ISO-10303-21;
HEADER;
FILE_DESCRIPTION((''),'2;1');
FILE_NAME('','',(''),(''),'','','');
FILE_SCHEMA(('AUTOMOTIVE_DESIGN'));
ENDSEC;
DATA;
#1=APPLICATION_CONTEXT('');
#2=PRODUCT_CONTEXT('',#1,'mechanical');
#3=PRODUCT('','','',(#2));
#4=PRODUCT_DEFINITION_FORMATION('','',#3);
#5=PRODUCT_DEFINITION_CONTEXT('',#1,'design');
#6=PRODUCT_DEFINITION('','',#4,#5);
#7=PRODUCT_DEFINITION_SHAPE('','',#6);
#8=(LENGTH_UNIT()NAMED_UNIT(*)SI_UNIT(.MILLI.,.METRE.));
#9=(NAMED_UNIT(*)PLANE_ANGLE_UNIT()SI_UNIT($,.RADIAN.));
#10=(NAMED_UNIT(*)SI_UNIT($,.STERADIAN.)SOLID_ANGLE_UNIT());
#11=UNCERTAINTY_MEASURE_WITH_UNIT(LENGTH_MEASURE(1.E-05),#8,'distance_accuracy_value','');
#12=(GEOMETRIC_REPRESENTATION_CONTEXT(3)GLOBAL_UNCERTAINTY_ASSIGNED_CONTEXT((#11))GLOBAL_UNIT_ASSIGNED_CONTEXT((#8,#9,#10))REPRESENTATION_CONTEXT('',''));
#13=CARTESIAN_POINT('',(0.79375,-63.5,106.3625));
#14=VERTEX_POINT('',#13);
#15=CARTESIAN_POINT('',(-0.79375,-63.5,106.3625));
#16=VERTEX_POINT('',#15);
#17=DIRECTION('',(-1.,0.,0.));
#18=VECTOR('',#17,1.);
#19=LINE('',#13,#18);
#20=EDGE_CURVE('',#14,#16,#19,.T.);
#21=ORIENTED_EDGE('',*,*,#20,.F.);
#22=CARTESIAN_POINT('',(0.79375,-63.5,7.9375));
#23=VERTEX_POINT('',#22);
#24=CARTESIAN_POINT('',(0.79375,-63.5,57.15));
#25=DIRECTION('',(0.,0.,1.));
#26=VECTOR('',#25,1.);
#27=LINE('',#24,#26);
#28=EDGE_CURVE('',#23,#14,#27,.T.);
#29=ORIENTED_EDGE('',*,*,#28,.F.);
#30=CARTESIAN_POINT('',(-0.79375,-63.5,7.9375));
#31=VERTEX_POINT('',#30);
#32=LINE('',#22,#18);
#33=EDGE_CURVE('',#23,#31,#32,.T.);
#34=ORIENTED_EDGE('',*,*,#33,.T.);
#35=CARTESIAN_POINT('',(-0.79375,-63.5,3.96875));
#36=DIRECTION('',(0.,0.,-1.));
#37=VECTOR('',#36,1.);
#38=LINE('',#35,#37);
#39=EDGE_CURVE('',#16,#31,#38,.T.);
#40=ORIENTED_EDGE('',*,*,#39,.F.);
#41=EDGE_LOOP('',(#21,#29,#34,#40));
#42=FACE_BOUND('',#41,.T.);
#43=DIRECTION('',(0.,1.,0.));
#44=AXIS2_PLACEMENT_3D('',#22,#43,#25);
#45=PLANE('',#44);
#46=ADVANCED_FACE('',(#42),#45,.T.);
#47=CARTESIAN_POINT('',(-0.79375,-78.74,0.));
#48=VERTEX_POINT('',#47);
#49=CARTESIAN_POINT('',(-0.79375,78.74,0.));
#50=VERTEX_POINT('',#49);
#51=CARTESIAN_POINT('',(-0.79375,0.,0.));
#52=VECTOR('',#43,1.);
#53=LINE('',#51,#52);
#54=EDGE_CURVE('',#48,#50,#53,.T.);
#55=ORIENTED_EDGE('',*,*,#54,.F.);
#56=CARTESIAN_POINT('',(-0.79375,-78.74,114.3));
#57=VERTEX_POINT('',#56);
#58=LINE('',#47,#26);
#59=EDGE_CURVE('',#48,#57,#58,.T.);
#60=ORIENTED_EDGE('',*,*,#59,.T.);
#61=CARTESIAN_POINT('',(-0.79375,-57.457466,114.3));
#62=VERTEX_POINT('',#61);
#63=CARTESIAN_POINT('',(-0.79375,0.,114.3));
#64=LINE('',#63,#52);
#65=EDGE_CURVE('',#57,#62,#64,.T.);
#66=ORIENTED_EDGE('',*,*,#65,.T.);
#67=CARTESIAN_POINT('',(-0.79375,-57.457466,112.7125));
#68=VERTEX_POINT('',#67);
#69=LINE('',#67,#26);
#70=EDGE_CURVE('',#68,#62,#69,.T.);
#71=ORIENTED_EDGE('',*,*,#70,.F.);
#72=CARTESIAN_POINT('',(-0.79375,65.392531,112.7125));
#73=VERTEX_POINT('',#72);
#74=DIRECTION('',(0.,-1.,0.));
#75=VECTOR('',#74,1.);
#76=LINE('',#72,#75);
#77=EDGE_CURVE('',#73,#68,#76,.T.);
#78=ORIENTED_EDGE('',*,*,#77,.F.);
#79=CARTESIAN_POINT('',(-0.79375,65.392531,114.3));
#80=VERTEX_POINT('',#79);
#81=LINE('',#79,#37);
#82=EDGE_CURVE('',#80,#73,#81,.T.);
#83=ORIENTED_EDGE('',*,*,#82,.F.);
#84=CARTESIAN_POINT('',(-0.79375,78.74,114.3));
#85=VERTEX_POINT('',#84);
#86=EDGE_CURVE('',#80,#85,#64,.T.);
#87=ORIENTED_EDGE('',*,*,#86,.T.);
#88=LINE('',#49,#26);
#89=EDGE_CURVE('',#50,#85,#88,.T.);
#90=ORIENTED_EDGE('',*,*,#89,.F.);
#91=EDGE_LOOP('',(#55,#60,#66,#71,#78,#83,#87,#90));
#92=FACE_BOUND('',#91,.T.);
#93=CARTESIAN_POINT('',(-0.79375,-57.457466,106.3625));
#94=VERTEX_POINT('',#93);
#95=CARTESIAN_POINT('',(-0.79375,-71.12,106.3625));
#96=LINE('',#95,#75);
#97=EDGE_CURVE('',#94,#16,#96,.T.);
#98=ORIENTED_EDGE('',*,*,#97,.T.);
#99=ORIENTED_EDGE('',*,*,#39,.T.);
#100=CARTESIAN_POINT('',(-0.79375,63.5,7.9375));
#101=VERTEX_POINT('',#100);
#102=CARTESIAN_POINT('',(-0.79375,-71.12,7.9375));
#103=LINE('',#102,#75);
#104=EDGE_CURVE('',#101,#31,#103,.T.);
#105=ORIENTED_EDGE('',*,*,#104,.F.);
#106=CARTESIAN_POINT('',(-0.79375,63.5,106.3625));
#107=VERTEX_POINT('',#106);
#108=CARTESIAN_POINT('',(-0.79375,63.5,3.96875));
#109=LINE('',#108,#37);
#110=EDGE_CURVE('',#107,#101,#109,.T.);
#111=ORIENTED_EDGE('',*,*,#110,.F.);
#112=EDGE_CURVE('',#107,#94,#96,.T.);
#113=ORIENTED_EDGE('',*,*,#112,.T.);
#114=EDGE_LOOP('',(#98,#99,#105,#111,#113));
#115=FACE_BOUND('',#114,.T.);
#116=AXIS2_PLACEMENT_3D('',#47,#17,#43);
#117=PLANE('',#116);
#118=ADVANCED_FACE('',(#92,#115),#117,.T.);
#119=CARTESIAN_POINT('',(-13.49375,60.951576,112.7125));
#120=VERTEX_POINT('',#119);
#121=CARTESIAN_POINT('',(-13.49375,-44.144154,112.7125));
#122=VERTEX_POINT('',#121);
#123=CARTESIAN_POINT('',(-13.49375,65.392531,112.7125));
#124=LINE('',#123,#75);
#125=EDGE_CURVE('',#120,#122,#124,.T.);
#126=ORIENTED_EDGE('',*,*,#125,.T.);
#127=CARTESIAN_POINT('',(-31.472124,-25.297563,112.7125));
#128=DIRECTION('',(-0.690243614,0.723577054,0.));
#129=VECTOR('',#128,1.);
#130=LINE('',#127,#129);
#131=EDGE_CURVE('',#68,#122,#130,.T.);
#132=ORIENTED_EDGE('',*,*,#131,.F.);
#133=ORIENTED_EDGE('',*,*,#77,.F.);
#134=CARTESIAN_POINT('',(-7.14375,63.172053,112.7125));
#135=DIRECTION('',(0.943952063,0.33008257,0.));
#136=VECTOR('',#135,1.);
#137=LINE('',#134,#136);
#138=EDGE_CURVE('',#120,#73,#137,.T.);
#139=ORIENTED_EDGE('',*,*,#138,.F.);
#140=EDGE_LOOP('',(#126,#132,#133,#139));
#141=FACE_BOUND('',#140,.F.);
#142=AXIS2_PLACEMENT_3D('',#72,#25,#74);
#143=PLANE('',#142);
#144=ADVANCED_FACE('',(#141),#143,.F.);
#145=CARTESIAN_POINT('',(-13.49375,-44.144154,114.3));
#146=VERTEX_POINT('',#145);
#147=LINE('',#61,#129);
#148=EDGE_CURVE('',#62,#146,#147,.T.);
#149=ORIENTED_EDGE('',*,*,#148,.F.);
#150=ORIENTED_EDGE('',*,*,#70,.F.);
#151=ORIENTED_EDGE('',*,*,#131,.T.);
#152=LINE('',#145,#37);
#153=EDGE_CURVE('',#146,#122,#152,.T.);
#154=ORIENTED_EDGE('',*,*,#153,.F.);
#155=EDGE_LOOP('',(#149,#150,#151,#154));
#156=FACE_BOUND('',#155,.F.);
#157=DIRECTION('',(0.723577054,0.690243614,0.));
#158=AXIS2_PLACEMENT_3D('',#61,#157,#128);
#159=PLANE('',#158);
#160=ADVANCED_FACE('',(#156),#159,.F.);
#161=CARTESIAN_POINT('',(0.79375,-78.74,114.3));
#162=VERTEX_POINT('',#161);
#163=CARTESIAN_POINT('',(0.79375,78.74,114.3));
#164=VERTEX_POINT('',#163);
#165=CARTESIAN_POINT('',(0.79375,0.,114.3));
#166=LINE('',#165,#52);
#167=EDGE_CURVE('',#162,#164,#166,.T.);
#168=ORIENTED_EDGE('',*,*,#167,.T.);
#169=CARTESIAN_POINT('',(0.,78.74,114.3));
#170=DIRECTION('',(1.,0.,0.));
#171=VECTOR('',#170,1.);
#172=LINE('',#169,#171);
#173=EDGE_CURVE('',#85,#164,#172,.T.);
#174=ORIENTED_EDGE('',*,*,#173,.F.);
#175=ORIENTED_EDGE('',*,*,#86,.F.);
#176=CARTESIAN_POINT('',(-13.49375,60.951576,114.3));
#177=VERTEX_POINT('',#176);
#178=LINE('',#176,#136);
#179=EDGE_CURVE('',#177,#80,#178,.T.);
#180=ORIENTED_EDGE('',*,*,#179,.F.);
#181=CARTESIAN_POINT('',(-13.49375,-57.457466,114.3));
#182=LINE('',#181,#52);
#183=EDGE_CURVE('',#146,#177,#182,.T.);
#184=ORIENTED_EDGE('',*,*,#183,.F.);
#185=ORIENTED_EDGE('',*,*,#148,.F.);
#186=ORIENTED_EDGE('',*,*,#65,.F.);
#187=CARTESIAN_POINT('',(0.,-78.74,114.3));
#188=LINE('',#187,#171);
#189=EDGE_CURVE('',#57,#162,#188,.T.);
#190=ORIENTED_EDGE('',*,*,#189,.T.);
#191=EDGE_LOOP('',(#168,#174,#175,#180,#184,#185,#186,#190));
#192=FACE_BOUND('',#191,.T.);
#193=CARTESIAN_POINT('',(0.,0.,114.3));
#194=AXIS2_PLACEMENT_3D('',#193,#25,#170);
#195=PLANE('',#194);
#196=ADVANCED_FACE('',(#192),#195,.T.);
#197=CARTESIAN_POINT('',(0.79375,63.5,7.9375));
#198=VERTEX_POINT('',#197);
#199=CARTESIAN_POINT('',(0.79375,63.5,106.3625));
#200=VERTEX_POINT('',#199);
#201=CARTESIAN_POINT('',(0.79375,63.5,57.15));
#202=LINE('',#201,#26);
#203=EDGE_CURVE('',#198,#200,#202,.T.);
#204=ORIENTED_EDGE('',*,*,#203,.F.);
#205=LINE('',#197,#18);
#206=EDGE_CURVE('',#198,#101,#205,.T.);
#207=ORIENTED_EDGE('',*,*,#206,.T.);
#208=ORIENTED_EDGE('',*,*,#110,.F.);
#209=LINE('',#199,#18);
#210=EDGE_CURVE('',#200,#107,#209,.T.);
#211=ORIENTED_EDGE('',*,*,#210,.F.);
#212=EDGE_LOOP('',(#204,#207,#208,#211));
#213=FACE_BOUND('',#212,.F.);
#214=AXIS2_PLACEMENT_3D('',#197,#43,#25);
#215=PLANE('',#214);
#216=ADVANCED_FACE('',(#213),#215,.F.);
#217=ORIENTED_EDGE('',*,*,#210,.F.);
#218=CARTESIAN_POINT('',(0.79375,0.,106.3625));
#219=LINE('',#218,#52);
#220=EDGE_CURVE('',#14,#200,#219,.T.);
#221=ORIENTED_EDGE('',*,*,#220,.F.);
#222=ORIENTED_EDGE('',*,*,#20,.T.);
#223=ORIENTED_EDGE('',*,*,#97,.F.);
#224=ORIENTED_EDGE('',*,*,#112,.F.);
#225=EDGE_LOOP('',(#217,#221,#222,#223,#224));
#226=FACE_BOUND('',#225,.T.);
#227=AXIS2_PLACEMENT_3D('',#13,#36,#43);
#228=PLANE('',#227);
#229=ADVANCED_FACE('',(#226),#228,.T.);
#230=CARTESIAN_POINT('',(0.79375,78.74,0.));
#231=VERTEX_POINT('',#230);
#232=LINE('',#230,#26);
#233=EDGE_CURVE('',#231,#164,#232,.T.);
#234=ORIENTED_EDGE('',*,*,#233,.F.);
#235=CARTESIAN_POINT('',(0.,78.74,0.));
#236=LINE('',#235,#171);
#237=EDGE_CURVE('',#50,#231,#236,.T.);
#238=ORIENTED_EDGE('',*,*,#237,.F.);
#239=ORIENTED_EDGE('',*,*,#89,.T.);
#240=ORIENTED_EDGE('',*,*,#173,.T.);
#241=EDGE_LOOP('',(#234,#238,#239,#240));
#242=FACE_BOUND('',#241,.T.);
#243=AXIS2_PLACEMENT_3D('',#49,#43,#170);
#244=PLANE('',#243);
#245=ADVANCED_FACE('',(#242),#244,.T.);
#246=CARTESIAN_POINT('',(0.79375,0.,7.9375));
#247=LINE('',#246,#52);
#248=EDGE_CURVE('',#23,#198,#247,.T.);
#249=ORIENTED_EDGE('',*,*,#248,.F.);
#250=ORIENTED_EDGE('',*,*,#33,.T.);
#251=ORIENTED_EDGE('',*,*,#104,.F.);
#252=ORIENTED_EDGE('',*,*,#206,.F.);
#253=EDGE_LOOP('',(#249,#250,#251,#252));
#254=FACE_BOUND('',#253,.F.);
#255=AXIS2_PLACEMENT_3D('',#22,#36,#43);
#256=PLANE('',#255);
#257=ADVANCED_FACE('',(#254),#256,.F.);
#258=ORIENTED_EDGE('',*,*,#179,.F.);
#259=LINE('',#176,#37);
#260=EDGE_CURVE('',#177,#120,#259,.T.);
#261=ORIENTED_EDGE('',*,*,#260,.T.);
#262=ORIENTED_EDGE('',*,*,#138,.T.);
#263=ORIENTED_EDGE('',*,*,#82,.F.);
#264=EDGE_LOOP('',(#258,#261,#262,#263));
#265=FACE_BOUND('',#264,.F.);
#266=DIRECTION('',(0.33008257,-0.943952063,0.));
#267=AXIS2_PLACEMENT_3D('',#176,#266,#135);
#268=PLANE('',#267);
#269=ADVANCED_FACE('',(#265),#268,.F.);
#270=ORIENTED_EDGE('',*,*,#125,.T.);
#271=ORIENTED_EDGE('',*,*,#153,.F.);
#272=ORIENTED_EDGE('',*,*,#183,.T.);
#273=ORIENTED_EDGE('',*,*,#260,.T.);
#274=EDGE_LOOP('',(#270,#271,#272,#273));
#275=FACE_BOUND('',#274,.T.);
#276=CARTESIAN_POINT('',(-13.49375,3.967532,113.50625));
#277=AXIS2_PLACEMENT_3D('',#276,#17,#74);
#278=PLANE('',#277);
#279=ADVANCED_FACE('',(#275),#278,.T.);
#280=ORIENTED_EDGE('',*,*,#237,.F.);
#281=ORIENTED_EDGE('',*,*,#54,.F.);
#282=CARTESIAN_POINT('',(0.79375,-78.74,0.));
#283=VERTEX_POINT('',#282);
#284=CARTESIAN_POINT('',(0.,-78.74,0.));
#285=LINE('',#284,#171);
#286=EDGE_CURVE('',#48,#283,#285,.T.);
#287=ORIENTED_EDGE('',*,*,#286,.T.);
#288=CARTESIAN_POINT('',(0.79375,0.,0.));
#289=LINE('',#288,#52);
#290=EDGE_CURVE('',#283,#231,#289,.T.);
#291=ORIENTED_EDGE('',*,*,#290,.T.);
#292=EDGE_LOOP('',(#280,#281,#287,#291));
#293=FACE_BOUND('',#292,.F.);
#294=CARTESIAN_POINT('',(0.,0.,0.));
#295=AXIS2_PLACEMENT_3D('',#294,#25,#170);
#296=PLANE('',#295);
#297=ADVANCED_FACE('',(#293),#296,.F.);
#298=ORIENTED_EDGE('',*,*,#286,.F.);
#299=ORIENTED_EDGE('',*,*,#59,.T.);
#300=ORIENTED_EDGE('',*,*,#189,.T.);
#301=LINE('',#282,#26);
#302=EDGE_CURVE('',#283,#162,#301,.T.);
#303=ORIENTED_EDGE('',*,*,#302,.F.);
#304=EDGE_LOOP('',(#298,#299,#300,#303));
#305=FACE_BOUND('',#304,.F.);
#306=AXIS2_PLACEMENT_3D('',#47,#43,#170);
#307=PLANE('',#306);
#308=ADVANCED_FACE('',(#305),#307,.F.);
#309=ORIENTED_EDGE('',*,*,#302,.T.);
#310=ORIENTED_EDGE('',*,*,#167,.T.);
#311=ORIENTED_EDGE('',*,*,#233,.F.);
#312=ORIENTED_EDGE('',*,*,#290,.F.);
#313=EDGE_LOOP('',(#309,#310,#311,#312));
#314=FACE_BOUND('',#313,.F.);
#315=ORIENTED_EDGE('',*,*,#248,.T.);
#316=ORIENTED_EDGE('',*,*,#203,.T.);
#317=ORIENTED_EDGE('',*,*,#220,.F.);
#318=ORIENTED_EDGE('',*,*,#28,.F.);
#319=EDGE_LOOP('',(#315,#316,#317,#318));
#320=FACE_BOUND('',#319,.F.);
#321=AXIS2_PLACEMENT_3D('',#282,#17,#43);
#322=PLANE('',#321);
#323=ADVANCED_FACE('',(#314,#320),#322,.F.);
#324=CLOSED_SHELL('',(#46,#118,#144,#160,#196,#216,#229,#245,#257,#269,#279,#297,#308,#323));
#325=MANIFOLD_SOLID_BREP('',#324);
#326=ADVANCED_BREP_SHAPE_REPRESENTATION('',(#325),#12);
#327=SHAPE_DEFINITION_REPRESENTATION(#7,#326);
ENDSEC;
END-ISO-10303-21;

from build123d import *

# Parameters (mm, degrees)
F0_W     = 1.5875
F0_H     = 157.48
F1_DEPTH = 114.3
F2_W     = 127
F2_H     = 98.425
F3_DEPTH = 25.4
F5_DEPTH = 12.7
F7_DEPTH = 25.4


with BuildPart() as f1:
    # F0 (on Top) → F1 (new body)
    with BuildSketch(Plane.XY):
        Rectangle(F0_W, F0_H)
    extrude(amount=F1_DEPTH)

    # F2 (on face) → F3 (cut)
    with BuildSketch(Plane.YZ.offset(0.79375)):
        with Locations((0, 57.15)):
            Rectangle(F2_W, F2_H)
    extrude(amount=-F3_DEPTH, mode=Mode.SUBTRACT)

    # F4 (on face) → F5 (join)
    with BuildSketch(Plane(origin=(-0.79375, 0, 0), x_dir=(0, -1, 0), z_dir=(-1, 0, 0))):
        Polygon((54.925282, 114.3), (-62.818468, 114.3), (-65.392531, 114.3), (-65.392531, 112.7125), (-62.818468, 112.7125), (54.925282, 112.7125), (57.457466, 112.7125), (57.457466, 114.3), align=None)
    extrude(amount=F5_DEPTH)

    # F6 (on face) → F7 (cut)
    with BuildSketch(Plane.XY.offset(114.3)):
        Polygon((-0.79375, 65.392531), (-13.49375, 65.392531), (-13.49375, 60.951576), align=None)
        Polygon((-13.49375, -44.144154), (-13.49375, -57.457466), (-0.79375, -57.457466), align=None)
    extrude(amount=-F7_DEPTH, mode=Mode.SUBTRACT)


solid = f1.part
